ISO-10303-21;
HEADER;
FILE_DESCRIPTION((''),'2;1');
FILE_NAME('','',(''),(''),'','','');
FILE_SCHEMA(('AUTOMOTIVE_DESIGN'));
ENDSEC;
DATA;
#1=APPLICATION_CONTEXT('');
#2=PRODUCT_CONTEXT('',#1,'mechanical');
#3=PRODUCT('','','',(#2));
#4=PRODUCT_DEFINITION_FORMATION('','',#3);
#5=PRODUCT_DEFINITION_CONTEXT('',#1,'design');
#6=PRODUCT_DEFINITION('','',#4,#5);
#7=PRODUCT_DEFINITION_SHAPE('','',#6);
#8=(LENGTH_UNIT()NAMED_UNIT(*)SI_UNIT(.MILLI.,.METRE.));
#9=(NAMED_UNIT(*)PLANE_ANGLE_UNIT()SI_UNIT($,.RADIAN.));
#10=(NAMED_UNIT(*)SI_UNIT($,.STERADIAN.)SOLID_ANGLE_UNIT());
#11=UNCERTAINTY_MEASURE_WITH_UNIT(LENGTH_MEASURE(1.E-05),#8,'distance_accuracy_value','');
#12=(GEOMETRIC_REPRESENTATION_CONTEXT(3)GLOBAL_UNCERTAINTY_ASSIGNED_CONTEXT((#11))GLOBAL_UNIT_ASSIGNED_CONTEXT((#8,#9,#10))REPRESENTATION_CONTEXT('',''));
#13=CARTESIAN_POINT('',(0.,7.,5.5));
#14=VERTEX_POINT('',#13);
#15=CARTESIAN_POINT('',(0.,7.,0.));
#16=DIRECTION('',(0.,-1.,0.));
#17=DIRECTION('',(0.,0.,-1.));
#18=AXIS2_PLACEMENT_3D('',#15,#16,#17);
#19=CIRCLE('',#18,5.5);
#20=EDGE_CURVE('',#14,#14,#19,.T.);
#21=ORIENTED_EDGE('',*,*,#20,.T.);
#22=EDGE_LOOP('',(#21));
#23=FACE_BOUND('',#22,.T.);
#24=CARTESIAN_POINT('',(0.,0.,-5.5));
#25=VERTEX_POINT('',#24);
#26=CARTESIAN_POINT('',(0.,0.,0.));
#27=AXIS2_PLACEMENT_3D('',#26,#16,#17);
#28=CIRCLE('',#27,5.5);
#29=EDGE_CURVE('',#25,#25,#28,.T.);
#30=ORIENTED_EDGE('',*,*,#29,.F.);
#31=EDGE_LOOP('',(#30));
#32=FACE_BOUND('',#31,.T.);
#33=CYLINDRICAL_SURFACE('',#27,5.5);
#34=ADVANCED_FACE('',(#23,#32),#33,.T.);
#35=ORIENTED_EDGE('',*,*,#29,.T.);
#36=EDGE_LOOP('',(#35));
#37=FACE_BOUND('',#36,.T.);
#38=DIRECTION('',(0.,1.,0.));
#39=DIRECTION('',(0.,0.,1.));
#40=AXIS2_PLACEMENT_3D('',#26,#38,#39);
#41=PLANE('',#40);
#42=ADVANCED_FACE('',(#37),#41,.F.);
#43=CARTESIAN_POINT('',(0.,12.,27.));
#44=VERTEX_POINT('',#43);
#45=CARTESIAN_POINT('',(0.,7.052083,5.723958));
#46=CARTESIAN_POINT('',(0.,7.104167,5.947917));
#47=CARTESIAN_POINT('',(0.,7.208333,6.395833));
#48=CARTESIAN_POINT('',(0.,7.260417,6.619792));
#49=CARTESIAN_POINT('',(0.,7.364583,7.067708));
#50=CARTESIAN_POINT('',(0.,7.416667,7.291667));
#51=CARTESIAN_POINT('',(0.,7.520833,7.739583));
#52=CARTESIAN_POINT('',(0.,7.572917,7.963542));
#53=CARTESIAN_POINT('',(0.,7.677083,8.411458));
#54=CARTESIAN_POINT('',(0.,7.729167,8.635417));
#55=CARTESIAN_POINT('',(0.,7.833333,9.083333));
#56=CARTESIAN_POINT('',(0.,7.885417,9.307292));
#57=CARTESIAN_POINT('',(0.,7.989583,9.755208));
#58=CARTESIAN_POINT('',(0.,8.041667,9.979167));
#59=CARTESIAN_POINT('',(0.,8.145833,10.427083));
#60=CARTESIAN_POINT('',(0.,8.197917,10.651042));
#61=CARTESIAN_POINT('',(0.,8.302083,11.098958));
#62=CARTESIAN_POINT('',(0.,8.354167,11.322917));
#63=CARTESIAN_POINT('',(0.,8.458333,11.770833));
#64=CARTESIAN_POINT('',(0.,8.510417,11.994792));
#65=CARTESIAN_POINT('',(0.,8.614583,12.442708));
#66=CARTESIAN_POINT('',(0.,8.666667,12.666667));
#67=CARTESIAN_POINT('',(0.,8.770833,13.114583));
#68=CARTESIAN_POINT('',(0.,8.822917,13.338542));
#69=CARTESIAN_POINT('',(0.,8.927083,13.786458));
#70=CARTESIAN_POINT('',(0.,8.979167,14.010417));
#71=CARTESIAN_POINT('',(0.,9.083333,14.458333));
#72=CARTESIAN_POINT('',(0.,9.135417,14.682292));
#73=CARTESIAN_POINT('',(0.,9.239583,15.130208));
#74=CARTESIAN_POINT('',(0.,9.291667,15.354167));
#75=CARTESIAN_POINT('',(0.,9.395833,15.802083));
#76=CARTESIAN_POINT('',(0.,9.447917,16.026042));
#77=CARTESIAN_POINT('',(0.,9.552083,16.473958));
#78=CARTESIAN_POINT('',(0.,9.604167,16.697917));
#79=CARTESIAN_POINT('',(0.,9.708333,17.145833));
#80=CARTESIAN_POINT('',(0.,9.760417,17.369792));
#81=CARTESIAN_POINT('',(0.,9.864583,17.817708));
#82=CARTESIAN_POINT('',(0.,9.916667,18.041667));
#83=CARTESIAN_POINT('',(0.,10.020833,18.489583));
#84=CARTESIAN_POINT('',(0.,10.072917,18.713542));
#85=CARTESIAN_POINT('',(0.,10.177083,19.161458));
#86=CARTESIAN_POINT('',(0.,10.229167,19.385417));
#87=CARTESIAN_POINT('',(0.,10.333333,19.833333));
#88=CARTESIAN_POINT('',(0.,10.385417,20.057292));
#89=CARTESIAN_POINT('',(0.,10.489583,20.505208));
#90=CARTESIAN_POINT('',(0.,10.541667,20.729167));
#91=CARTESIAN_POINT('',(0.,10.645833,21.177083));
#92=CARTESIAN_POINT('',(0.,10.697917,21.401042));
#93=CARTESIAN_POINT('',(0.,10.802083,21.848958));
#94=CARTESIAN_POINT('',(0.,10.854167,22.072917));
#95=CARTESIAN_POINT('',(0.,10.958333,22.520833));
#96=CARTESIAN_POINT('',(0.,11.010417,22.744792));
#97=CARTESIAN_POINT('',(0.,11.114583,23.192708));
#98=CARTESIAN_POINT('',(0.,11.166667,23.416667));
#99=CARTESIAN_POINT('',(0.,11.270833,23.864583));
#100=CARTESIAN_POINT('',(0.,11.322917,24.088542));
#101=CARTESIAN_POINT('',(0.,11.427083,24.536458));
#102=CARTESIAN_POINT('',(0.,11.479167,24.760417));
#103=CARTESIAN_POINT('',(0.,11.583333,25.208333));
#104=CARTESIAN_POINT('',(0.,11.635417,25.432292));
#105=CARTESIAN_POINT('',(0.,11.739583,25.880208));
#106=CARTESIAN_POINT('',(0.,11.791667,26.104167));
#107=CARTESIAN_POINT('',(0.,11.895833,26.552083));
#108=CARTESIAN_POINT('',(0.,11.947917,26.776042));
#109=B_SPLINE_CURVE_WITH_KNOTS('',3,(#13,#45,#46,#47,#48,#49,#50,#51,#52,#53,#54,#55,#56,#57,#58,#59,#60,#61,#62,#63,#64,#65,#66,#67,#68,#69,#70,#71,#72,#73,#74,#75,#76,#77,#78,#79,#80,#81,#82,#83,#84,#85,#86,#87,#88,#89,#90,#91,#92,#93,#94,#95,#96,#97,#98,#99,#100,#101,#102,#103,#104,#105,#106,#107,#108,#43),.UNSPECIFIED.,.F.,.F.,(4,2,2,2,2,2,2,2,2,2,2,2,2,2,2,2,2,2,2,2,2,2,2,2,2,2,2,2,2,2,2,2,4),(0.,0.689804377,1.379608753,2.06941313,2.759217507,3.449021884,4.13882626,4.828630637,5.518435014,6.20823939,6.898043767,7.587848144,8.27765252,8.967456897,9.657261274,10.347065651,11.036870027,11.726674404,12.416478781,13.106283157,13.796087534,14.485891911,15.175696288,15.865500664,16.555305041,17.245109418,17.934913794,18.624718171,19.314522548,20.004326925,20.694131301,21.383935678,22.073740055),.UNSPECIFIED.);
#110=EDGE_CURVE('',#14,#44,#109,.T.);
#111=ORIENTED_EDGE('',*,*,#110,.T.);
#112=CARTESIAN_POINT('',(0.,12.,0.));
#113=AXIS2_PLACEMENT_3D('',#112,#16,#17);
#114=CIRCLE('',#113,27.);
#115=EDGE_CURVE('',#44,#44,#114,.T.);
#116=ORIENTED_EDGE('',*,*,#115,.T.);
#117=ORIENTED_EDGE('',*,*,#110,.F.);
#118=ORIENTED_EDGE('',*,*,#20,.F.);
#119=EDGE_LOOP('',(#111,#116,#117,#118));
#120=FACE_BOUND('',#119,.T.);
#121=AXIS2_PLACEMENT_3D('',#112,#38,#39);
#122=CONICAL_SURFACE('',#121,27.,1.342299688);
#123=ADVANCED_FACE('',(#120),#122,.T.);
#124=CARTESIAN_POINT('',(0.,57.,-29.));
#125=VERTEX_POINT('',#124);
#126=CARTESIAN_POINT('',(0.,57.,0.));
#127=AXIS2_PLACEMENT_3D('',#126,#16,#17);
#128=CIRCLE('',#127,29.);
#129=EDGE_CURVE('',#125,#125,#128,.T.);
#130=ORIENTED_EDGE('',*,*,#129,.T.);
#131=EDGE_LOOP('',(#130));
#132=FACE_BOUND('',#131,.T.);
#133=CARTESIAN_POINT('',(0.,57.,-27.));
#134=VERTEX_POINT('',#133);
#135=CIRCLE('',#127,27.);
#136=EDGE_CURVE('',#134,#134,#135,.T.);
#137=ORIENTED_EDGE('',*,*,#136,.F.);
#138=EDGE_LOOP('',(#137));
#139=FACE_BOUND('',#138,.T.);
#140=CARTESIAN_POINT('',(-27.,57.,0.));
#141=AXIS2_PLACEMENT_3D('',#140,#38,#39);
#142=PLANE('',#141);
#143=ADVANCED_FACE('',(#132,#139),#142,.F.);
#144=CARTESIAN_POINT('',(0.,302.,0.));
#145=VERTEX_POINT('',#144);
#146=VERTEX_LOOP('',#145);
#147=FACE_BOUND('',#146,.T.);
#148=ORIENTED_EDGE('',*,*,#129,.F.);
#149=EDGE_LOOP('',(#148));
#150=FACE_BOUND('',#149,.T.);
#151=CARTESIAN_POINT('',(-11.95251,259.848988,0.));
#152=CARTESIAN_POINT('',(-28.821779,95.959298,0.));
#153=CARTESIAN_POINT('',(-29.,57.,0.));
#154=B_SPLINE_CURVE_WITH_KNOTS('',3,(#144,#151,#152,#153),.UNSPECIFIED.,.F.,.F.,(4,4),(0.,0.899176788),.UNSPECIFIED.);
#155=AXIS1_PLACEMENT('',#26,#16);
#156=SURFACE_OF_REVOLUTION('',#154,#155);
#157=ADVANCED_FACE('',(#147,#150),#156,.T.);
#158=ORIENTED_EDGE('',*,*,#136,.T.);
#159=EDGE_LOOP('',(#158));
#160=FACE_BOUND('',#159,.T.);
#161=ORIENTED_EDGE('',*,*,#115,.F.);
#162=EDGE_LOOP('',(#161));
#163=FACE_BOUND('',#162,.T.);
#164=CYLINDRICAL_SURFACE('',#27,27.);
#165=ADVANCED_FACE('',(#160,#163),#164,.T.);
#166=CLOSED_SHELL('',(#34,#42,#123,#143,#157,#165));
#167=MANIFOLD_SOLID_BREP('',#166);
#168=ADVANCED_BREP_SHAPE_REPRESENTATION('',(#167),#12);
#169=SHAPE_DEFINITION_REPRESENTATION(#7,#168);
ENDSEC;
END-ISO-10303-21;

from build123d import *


with BuildPart() as part:
    # Sketch2 → Revolve1 (revolve)
    with BuildSketch(Plane.XY, mode=Mode.PRIVATE) as revolve1_sk:
        with BuildLine():
            Line((0, 0), (-5.5, 0))
            Line((-5.5, 0), (-5.5, 7))
            Line((-5.5, 7), (-27, 12))
            Line((-27, 12), (-27, 57))
            Line((-27, 57), (-29, 57))
            add(Edge.make_bspline(
                [(-29, 57), (-28.821778515, 95.959298407), (-11.952510438, 259.848987743), (0, 302)],
                knots=[0, 0, 0, 0, 0.899176788, 0.899176788, 0.899176788, 0.899176788], degree=3))
            Line((0, 302), (0, 0))
        make_face()
    revolve(revolve1_sk.sketch.rotate(Axis((0, 0, 0), (0, 1, 0)), 270), axis=Axis((0, 0, 0), (0, 1, 0)))


solid = part.part
